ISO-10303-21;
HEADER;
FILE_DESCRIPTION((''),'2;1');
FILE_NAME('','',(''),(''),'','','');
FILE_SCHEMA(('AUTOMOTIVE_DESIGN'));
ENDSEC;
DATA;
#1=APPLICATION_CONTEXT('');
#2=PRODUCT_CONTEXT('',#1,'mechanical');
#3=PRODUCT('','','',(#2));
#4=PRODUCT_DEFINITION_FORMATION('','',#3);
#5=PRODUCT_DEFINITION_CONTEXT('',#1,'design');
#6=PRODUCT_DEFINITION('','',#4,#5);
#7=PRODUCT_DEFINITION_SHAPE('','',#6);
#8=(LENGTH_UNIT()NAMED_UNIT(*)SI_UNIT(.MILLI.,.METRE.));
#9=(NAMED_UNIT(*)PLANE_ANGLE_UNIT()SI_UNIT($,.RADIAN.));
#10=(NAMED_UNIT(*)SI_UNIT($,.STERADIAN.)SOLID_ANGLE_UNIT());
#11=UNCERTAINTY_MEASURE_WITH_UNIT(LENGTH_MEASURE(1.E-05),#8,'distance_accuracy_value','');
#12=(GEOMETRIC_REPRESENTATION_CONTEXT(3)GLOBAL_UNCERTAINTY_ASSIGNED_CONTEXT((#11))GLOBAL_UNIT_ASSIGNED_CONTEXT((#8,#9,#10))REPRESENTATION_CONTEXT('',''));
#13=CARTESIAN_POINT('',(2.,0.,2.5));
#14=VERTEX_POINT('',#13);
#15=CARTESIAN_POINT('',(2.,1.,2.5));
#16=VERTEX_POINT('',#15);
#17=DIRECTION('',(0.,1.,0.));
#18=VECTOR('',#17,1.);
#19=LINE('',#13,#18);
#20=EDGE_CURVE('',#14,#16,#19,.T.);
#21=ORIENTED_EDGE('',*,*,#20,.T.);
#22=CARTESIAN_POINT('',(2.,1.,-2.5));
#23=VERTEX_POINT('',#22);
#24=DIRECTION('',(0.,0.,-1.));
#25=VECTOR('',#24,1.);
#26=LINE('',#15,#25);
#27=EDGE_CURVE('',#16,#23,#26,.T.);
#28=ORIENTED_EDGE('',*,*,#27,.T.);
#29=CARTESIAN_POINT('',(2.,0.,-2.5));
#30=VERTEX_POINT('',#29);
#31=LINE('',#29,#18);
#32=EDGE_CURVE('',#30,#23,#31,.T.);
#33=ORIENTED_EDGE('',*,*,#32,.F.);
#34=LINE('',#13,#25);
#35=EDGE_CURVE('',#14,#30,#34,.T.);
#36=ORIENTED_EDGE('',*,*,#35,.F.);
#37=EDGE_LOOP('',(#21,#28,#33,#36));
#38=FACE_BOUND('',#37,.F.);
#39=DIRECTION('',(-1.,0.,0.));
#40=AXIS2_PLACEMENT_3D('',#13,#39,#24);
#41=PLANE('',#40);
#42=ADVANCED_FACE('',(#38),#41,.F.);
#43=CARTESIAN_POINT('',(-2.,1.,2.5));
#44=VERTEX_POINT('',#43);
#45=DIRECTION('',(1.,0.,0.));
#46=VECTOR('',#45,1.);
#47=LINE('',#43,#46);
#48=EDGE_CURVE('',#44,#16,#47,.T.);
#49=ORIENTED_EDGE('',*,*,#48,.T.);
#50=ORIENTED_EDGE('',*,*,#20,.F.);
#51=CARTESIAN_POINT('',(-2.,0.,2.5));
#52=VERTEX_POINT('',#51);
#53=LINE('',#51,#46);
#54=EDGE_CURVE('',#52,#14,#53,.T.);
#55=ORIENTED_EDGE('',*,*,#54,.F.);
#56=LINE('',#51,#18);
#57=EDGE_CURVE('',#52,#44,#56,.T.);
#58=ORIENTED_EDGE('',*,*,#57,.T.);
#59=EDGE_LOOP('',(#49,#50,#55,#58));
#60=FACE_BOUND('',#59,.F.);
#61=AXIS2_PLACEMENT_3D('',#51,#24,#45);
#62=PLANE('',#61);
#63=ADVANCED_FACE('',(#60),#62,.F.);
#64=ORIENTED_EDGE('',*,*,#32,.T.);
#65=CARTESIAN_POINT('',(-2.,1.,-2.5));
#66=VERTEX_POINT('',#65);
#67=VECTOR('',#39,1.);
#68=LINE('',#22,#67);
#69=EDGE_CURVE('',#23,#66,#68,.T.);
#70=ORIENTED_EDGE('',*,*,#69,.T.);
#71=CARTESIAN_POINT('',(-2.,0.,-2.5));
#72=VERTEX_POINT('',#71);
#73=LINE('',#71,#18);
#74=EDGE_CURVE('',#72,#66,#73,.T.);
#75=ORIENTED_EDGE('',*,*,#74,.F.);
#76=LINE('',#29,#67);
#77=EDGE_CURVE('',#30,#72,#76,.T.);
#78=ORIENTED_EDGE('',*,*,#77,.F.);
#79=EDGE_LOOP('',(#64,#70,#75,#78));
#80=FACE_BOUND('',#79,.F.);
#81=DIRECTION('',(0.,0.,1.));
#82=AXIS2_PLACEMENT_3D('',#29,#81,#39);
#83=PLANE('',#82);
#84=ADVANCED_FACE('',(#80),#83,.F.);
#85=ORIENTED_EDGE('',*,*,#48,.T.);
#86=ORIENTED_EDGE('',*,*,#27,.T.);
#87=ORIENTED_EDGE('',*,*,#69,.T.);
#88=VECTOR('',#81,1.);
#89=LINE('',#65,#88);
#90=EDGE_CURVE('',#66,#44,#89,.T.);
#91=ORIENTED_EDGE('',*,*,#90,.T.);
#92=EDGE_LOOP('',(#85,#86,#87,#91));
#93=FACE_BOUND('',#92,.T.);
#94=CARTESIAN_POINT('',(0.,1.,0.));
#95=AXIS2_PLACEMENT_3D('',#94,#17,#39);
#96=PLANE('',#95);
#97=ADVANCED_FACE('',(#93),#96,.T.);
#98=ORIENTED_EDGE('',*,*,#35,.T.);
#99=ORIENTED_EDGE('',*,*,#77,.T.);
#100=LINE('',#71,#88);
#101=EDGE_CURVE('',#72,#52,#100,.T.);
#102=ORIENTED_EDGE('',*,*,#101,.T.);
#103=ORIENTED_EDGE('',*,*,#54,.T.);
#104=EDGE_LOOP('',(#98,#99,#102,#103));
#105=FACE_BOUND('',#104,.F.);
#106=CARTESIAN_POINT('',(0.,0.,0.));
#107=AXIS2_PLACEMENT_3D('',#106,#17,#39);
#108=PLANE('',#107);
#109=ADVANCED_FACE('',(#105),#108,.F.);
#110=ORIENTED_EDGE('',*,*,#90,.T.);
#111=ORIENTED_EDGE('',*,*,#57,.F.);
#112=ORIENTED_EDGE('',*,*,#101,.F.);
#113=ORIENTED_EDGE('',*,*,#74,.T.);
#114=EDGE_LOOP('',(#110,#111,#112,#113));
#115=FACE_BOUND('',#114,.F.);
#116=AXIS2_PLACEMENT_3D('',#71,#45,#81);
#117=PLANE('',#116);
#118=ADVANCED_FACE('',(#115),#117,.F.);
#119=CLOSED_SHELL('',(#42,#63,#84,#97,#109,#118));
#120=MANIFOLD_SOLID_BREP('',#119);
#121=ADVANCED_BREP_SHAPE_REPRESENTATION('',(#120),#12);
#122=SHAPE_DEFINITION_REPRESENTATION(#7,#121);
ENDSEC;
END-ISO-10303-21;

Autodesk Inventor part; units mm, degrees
ref_plane "YZ Plane" through (0, 0, 0) normal (1, 0, 0) x (0, 1, 0)
ref_plane "XZ Plane" through (0, 0, 0) normal (0, 1, 0) x (-1, 0, 0)
ref_plane "XY Plane" through (0, 0, 0) normal (0, 0, 1) x (1, 0, 0)
sketch "Sketch1" plane through (0, 0, 0) normal (0, 1, 0) x (-1, 0, 0)
  line L0 (2, 2.5) -> (-2, 2.5)
  line L1 (-2, 2.5) -> (-2, -2.5)
  line L2 (-2, -2.5) -> (2, -2.5)
  line L3 (2, -2.5) -> (2, 2.5)
  point P0 (0, 0)
  dimension "d0" = 4
  dimension "d1" = 5
  dimension "d2" = 2
  dimension "d3" = 2.5
extrude "Extrusion1" add sketch "Sketch1" along normal blind 1
equation "\"d2\" = 0.5 * d0"
equation "\"d3\" = 0.5 * d1"
properties part number "Electrical Component" material "Rubber, Silicone"
